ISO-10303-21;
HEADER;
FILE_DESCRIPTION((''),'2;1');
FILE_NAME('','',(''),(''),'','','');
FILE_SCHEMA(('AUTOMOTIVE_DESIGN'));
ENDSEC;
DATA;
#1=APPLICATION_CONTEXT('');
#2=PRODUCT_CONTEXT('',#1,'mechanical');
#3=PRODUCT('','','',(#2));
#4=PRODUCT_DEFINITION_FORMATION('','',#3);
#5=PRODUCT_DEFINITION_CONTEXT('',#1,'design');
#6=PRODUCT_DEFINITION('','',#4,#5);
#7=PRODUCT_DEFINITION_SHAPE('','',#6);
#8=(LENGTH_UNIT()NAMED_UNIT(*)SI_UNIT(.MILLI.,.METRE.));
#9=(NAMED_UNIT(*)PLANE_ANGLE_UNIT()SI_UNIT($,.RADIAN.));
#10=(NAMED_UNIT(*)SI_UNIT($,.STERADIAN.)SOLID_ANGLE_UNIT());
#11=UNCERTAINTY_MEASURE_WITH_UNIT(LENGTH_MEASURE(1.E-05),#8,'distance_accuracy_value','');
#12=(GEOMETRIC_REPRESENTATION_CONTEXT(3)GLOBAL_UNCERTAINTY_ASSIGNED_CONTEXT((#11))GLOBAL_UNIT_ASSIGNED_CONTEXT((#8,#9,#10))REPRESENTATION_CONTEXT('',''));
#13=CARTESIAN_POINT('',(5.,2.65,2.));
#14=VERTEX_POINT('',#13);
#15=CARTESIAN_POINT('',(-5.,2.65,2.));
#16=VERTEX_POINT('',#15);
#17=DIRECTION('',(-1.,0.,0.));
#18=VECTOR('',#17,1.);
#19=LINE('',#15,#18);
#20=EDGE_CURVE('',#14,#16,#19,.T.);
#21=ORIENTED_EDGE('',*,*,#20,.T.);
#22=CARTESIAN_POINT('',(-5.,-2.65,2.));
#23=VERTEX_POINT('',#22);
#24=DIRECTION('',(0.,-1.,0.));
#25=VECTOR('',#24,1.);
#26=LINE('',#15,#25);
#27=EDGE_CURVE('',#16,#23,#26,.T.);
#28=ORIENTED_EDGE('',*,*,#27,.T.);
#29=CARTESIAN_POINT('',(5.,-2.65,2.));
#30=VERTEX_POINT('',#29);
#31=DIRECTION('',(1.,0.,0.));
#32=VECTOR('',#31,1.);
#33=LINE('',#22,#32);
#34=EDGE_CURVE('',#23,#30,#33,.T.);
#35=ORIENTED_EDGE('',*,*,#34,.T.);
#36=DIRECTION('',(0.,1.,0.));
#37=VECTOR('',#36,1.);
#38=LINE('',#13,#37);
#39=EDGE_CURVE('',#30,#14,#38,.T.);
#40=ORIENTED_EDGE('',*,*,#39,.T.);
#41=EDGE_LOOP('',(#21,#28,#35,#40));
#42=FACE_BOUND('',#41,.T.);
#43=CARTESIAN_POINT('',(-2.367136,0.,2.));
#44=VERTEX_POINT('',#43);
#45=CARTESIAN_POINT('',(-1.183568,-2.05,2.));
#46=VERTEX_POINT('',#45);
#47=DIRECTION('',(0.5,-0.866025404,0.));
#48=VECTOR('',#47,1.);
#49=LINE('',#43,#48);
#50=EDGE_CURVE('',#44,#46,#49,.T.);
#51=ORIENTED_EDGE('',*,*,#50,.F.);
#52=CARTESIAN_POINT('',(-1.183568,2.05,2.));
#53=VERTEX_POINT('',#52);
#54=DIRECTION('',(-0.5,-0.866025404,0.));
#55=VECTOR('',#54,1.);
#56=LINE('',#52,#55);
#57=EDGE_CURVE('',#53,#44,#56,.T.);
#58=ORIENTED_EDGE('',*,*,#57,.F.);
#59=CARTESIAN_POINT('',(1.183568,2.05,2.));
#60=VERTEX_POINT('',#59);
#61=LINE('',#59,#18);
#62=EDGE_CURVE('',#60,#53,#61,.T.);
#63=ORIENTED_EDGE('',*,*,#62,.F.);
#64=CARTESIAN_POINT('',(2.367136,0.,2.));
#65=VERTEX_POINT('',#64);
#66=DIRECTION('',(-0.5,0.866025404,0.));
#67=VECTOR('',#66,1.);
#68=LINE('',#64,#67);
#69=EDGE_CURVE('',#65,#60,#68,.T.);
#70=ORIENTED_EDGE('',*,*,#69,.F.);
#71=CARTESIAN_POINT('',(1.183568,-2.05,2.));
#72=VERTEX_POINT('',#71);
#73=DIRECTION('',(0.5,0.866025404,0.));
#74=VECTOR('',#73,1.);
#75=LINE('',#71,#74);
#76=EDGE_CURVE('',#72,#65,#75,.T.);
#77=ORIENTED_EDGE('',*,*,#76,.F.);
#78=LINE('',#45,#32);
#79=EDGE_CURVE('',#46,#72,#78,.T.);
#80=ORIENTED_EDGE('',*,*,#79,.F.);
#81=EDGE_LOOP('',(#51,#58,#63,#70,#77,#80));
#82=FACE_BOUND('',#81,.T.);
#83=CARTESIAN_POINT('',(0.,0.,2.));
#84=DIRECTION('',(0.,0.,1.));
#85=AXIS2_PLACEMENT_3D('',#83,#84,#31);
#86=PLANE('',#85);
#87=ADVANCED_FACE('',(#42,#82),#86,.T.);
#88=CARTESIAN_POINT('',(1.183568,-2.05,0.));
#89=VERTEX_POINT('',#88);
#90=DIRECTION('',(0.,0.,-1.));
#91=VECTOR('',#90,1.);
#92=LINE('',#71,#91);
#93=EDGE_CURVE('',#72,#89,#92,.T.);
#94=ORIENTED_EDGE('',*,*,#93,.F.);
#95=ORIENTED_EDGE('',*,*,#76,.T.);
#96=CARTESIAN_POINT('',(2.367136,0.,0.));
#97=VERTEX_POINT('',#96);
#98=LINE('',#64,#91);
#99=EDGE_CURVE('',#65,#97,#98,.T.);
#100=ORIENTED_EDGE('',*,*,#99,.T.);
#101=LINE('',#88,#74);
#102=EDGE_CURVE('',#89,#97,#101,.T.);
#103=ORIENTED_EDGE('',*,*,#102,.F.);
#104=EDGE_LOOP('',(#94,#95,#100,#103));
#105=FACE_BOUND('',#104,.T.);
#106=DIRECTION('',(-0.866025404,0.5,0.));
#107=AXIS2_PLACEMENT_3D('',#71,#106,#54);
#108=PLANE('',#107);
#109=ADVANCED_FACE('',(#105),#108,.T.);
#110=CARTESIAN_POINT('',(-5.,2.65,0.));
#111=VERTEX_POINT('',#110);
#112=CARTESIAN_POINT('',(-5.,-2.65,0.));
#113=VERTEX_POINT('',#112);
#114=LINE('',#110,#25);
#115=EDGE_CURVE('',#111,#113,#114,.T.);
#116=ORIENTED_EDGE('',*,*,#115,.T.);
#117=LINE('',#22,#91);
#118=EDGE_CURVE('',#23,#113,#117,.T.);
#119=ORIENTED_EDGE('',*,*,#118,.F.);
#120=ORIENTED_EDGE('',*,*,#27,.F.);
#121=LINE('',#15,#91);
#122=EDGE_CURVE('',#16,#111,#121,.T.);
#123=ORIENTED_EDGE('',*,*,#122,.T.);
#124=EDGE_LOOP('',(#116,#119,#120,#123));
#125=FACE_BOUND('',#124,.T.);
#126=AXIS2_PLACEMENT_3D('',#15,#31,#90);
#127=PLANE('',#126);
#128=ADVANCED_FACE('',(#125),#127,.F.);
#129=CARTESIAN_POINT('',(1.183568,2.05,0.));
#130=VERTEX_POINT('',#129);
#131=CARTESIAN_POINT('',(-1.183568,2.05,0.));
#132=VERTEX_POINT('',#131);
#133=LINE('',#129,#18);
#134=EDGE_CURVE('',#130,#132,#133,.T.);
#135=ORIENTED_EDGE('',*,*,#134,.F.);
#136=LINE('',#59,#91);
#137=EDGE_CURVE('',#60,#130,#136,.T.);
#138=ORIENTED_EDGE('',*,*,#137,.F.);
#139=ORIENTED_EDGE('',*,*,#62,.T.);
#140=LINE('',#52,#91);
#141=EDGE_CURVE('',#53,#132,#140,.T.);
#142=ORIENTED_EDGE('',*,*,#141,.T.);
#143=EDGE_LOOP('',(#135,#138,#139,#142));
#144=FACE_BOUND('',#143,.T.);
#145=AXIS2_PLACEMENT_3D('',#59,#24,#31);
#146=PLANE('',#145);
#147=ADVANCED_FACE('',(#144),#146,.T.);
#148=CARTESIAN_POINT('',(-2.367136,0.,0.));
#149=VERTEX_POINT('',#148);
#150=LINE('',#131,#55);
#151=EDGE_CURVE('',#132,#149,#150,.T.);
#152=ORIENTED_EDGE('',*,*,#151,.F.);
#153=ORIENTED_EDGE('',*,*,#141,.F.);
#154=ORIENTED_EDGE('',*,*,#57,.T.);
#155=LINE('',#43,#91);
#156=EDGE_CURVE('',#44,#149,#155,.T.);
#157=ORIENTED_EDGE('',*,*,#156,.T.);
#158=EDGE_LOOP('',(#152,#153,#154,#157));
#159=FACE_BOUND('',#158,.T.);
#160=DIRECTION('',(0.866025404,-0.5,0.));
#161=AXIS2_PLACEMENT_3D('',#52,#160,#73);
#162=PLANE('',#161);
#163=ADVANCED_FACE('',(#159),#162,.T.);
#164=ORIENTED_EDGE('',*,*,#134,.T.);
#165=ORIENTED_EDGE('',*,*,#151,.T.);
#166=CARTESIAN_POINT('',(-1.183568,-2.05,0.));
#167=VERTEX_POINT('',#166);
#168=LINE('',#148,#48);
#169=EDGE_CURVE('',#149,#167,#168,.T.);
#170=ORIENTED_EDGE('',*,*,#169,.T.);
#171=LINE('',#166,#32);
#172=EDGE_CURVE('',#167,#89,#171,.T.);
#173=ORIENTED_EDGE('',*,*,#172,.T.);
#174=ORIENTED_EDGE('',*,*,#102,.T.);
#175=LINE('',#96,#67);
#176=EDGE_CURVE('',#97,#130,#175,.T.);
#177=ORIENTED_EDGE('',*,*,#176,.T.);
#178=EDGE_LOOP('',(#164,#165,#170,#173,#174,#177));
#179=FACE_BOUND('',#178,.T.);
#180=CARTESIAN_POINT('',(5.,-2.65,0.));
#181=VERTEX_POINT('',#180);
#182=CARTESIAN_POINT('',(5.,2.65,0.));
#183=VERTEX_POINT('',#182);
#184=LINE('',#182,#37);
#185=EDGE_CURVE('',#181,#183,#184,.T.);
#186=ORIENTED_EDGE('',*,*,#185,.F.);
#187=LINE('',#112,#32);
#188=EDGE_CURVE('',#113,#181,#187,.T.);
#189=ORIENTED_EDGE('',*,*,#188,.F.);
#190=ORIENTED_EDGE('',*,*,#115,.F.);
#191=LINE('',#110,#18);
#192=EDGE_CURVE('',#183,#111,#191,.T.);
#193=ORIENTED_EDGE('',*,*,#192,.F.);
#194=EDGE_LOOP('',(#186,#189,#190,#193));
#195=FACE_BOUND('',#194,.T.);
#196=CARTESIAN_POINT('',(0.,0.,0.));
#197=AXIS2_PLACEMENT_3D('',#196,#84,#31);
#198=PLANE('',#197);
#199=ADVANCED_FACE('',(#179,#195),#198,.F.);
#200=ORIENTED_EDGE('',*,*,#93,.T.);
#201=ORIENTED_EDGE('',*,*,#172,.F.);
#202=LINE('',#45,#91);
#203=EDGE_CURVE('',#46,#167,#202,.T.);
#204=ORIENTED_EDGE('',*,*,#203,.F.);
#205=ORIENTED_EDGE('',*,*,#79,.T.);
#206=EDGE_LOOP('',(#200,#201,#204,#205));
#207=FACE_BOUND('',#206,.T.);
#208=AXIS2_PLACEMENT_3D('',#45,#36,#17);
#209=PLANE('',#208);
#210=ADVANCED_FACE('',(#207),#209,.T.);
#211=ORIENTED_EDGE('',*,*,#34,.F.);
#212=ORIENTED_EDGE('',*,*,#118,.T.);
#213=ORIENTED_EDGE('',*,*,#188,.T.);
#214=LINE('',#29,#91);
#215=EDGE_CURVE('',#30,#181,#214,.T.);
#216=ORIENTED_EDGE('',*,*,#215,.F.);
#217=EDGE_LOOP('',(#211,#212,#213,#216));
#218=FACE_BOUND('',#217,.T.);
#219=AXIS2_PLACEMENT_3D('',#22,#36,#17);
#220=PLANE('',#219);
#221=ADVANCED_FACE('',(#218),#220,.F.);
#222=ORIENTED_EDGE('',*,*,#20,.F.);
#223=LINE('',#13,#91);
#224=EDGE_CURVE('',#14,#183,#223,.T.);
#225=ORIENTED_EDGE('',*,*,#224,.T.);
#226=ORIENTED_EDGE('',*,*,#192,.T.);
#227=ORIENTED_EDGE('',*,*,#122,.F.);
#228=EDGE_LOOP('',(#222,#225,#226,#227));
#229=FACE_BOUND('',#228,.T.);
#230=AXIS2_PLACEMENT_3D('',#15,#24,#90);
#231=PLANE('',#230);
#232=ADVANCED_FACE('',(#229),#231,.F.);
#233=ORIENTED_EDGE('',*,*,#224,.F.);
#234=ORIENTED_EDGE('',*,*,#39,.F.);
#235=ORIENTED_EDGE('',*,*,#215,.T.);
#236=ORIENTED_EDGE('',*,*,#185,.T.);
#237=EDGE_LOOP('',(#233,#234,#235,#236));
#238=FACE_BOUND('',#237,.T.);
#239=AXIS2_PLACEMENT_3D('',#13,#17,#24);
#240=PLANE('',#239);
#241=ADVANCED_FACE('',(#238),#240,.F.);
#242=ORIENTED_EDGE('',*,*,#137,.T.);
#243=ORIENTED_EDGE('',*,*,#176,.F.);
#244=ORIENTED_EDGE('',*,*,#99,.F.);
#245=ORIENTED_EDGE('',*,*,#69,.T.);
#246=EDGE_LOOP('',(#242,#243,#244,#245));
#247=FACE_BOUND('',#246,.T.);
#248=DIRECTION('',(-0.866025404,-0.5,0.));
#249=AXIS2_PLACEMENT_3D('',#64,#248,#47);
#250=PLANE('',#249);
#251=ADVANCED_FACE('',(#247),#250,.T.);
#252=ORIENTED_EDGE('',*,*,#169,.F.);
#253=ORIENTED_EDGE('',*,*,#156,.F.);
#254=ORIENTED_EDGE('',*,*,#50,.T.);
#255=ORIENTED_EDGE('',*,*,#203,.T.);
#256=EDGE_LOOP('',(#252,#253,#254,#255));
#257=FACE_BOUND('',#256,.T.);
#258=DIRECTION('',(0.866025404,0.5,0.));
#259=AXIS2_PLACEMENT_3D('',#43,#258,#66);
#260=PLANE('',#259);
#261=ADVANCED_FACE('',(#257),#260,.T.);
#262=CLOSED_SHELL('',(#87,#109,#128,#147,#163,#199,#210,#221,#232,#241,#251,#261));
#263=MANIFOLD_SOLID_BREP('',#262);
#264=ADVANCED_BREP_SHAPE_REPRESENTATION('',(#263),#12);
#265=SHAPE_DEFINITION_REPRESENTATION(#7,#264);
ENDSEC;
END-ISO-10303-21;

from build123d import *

# Parameters (mm, degrees)
ESBO_O1_W                = 10
ESBO_O1_H                = 5.3
RESSALTO_EXTRUS_O1_DEPTH = 2


with BuildPart() as part:
    # Esboço1 → Ressalto-extrusão1 (new body)
    with BuildSketch(Plane.XY):
        Rectangle(ESBO_O1_W, ESBO_O1_H)
        Polygon((2.367136104, 0), (1.183568052, 2.05), (-1.183568052, 2.05), (-2.367136104, 0), (-1.183568052, -2.05), (1.183568052, -2.05), align=None, mode=Mode.SUBTRACT)
    extrude(amount=RESSALTO_EXTRUS_O1_DEPTH)


solid = part.part
